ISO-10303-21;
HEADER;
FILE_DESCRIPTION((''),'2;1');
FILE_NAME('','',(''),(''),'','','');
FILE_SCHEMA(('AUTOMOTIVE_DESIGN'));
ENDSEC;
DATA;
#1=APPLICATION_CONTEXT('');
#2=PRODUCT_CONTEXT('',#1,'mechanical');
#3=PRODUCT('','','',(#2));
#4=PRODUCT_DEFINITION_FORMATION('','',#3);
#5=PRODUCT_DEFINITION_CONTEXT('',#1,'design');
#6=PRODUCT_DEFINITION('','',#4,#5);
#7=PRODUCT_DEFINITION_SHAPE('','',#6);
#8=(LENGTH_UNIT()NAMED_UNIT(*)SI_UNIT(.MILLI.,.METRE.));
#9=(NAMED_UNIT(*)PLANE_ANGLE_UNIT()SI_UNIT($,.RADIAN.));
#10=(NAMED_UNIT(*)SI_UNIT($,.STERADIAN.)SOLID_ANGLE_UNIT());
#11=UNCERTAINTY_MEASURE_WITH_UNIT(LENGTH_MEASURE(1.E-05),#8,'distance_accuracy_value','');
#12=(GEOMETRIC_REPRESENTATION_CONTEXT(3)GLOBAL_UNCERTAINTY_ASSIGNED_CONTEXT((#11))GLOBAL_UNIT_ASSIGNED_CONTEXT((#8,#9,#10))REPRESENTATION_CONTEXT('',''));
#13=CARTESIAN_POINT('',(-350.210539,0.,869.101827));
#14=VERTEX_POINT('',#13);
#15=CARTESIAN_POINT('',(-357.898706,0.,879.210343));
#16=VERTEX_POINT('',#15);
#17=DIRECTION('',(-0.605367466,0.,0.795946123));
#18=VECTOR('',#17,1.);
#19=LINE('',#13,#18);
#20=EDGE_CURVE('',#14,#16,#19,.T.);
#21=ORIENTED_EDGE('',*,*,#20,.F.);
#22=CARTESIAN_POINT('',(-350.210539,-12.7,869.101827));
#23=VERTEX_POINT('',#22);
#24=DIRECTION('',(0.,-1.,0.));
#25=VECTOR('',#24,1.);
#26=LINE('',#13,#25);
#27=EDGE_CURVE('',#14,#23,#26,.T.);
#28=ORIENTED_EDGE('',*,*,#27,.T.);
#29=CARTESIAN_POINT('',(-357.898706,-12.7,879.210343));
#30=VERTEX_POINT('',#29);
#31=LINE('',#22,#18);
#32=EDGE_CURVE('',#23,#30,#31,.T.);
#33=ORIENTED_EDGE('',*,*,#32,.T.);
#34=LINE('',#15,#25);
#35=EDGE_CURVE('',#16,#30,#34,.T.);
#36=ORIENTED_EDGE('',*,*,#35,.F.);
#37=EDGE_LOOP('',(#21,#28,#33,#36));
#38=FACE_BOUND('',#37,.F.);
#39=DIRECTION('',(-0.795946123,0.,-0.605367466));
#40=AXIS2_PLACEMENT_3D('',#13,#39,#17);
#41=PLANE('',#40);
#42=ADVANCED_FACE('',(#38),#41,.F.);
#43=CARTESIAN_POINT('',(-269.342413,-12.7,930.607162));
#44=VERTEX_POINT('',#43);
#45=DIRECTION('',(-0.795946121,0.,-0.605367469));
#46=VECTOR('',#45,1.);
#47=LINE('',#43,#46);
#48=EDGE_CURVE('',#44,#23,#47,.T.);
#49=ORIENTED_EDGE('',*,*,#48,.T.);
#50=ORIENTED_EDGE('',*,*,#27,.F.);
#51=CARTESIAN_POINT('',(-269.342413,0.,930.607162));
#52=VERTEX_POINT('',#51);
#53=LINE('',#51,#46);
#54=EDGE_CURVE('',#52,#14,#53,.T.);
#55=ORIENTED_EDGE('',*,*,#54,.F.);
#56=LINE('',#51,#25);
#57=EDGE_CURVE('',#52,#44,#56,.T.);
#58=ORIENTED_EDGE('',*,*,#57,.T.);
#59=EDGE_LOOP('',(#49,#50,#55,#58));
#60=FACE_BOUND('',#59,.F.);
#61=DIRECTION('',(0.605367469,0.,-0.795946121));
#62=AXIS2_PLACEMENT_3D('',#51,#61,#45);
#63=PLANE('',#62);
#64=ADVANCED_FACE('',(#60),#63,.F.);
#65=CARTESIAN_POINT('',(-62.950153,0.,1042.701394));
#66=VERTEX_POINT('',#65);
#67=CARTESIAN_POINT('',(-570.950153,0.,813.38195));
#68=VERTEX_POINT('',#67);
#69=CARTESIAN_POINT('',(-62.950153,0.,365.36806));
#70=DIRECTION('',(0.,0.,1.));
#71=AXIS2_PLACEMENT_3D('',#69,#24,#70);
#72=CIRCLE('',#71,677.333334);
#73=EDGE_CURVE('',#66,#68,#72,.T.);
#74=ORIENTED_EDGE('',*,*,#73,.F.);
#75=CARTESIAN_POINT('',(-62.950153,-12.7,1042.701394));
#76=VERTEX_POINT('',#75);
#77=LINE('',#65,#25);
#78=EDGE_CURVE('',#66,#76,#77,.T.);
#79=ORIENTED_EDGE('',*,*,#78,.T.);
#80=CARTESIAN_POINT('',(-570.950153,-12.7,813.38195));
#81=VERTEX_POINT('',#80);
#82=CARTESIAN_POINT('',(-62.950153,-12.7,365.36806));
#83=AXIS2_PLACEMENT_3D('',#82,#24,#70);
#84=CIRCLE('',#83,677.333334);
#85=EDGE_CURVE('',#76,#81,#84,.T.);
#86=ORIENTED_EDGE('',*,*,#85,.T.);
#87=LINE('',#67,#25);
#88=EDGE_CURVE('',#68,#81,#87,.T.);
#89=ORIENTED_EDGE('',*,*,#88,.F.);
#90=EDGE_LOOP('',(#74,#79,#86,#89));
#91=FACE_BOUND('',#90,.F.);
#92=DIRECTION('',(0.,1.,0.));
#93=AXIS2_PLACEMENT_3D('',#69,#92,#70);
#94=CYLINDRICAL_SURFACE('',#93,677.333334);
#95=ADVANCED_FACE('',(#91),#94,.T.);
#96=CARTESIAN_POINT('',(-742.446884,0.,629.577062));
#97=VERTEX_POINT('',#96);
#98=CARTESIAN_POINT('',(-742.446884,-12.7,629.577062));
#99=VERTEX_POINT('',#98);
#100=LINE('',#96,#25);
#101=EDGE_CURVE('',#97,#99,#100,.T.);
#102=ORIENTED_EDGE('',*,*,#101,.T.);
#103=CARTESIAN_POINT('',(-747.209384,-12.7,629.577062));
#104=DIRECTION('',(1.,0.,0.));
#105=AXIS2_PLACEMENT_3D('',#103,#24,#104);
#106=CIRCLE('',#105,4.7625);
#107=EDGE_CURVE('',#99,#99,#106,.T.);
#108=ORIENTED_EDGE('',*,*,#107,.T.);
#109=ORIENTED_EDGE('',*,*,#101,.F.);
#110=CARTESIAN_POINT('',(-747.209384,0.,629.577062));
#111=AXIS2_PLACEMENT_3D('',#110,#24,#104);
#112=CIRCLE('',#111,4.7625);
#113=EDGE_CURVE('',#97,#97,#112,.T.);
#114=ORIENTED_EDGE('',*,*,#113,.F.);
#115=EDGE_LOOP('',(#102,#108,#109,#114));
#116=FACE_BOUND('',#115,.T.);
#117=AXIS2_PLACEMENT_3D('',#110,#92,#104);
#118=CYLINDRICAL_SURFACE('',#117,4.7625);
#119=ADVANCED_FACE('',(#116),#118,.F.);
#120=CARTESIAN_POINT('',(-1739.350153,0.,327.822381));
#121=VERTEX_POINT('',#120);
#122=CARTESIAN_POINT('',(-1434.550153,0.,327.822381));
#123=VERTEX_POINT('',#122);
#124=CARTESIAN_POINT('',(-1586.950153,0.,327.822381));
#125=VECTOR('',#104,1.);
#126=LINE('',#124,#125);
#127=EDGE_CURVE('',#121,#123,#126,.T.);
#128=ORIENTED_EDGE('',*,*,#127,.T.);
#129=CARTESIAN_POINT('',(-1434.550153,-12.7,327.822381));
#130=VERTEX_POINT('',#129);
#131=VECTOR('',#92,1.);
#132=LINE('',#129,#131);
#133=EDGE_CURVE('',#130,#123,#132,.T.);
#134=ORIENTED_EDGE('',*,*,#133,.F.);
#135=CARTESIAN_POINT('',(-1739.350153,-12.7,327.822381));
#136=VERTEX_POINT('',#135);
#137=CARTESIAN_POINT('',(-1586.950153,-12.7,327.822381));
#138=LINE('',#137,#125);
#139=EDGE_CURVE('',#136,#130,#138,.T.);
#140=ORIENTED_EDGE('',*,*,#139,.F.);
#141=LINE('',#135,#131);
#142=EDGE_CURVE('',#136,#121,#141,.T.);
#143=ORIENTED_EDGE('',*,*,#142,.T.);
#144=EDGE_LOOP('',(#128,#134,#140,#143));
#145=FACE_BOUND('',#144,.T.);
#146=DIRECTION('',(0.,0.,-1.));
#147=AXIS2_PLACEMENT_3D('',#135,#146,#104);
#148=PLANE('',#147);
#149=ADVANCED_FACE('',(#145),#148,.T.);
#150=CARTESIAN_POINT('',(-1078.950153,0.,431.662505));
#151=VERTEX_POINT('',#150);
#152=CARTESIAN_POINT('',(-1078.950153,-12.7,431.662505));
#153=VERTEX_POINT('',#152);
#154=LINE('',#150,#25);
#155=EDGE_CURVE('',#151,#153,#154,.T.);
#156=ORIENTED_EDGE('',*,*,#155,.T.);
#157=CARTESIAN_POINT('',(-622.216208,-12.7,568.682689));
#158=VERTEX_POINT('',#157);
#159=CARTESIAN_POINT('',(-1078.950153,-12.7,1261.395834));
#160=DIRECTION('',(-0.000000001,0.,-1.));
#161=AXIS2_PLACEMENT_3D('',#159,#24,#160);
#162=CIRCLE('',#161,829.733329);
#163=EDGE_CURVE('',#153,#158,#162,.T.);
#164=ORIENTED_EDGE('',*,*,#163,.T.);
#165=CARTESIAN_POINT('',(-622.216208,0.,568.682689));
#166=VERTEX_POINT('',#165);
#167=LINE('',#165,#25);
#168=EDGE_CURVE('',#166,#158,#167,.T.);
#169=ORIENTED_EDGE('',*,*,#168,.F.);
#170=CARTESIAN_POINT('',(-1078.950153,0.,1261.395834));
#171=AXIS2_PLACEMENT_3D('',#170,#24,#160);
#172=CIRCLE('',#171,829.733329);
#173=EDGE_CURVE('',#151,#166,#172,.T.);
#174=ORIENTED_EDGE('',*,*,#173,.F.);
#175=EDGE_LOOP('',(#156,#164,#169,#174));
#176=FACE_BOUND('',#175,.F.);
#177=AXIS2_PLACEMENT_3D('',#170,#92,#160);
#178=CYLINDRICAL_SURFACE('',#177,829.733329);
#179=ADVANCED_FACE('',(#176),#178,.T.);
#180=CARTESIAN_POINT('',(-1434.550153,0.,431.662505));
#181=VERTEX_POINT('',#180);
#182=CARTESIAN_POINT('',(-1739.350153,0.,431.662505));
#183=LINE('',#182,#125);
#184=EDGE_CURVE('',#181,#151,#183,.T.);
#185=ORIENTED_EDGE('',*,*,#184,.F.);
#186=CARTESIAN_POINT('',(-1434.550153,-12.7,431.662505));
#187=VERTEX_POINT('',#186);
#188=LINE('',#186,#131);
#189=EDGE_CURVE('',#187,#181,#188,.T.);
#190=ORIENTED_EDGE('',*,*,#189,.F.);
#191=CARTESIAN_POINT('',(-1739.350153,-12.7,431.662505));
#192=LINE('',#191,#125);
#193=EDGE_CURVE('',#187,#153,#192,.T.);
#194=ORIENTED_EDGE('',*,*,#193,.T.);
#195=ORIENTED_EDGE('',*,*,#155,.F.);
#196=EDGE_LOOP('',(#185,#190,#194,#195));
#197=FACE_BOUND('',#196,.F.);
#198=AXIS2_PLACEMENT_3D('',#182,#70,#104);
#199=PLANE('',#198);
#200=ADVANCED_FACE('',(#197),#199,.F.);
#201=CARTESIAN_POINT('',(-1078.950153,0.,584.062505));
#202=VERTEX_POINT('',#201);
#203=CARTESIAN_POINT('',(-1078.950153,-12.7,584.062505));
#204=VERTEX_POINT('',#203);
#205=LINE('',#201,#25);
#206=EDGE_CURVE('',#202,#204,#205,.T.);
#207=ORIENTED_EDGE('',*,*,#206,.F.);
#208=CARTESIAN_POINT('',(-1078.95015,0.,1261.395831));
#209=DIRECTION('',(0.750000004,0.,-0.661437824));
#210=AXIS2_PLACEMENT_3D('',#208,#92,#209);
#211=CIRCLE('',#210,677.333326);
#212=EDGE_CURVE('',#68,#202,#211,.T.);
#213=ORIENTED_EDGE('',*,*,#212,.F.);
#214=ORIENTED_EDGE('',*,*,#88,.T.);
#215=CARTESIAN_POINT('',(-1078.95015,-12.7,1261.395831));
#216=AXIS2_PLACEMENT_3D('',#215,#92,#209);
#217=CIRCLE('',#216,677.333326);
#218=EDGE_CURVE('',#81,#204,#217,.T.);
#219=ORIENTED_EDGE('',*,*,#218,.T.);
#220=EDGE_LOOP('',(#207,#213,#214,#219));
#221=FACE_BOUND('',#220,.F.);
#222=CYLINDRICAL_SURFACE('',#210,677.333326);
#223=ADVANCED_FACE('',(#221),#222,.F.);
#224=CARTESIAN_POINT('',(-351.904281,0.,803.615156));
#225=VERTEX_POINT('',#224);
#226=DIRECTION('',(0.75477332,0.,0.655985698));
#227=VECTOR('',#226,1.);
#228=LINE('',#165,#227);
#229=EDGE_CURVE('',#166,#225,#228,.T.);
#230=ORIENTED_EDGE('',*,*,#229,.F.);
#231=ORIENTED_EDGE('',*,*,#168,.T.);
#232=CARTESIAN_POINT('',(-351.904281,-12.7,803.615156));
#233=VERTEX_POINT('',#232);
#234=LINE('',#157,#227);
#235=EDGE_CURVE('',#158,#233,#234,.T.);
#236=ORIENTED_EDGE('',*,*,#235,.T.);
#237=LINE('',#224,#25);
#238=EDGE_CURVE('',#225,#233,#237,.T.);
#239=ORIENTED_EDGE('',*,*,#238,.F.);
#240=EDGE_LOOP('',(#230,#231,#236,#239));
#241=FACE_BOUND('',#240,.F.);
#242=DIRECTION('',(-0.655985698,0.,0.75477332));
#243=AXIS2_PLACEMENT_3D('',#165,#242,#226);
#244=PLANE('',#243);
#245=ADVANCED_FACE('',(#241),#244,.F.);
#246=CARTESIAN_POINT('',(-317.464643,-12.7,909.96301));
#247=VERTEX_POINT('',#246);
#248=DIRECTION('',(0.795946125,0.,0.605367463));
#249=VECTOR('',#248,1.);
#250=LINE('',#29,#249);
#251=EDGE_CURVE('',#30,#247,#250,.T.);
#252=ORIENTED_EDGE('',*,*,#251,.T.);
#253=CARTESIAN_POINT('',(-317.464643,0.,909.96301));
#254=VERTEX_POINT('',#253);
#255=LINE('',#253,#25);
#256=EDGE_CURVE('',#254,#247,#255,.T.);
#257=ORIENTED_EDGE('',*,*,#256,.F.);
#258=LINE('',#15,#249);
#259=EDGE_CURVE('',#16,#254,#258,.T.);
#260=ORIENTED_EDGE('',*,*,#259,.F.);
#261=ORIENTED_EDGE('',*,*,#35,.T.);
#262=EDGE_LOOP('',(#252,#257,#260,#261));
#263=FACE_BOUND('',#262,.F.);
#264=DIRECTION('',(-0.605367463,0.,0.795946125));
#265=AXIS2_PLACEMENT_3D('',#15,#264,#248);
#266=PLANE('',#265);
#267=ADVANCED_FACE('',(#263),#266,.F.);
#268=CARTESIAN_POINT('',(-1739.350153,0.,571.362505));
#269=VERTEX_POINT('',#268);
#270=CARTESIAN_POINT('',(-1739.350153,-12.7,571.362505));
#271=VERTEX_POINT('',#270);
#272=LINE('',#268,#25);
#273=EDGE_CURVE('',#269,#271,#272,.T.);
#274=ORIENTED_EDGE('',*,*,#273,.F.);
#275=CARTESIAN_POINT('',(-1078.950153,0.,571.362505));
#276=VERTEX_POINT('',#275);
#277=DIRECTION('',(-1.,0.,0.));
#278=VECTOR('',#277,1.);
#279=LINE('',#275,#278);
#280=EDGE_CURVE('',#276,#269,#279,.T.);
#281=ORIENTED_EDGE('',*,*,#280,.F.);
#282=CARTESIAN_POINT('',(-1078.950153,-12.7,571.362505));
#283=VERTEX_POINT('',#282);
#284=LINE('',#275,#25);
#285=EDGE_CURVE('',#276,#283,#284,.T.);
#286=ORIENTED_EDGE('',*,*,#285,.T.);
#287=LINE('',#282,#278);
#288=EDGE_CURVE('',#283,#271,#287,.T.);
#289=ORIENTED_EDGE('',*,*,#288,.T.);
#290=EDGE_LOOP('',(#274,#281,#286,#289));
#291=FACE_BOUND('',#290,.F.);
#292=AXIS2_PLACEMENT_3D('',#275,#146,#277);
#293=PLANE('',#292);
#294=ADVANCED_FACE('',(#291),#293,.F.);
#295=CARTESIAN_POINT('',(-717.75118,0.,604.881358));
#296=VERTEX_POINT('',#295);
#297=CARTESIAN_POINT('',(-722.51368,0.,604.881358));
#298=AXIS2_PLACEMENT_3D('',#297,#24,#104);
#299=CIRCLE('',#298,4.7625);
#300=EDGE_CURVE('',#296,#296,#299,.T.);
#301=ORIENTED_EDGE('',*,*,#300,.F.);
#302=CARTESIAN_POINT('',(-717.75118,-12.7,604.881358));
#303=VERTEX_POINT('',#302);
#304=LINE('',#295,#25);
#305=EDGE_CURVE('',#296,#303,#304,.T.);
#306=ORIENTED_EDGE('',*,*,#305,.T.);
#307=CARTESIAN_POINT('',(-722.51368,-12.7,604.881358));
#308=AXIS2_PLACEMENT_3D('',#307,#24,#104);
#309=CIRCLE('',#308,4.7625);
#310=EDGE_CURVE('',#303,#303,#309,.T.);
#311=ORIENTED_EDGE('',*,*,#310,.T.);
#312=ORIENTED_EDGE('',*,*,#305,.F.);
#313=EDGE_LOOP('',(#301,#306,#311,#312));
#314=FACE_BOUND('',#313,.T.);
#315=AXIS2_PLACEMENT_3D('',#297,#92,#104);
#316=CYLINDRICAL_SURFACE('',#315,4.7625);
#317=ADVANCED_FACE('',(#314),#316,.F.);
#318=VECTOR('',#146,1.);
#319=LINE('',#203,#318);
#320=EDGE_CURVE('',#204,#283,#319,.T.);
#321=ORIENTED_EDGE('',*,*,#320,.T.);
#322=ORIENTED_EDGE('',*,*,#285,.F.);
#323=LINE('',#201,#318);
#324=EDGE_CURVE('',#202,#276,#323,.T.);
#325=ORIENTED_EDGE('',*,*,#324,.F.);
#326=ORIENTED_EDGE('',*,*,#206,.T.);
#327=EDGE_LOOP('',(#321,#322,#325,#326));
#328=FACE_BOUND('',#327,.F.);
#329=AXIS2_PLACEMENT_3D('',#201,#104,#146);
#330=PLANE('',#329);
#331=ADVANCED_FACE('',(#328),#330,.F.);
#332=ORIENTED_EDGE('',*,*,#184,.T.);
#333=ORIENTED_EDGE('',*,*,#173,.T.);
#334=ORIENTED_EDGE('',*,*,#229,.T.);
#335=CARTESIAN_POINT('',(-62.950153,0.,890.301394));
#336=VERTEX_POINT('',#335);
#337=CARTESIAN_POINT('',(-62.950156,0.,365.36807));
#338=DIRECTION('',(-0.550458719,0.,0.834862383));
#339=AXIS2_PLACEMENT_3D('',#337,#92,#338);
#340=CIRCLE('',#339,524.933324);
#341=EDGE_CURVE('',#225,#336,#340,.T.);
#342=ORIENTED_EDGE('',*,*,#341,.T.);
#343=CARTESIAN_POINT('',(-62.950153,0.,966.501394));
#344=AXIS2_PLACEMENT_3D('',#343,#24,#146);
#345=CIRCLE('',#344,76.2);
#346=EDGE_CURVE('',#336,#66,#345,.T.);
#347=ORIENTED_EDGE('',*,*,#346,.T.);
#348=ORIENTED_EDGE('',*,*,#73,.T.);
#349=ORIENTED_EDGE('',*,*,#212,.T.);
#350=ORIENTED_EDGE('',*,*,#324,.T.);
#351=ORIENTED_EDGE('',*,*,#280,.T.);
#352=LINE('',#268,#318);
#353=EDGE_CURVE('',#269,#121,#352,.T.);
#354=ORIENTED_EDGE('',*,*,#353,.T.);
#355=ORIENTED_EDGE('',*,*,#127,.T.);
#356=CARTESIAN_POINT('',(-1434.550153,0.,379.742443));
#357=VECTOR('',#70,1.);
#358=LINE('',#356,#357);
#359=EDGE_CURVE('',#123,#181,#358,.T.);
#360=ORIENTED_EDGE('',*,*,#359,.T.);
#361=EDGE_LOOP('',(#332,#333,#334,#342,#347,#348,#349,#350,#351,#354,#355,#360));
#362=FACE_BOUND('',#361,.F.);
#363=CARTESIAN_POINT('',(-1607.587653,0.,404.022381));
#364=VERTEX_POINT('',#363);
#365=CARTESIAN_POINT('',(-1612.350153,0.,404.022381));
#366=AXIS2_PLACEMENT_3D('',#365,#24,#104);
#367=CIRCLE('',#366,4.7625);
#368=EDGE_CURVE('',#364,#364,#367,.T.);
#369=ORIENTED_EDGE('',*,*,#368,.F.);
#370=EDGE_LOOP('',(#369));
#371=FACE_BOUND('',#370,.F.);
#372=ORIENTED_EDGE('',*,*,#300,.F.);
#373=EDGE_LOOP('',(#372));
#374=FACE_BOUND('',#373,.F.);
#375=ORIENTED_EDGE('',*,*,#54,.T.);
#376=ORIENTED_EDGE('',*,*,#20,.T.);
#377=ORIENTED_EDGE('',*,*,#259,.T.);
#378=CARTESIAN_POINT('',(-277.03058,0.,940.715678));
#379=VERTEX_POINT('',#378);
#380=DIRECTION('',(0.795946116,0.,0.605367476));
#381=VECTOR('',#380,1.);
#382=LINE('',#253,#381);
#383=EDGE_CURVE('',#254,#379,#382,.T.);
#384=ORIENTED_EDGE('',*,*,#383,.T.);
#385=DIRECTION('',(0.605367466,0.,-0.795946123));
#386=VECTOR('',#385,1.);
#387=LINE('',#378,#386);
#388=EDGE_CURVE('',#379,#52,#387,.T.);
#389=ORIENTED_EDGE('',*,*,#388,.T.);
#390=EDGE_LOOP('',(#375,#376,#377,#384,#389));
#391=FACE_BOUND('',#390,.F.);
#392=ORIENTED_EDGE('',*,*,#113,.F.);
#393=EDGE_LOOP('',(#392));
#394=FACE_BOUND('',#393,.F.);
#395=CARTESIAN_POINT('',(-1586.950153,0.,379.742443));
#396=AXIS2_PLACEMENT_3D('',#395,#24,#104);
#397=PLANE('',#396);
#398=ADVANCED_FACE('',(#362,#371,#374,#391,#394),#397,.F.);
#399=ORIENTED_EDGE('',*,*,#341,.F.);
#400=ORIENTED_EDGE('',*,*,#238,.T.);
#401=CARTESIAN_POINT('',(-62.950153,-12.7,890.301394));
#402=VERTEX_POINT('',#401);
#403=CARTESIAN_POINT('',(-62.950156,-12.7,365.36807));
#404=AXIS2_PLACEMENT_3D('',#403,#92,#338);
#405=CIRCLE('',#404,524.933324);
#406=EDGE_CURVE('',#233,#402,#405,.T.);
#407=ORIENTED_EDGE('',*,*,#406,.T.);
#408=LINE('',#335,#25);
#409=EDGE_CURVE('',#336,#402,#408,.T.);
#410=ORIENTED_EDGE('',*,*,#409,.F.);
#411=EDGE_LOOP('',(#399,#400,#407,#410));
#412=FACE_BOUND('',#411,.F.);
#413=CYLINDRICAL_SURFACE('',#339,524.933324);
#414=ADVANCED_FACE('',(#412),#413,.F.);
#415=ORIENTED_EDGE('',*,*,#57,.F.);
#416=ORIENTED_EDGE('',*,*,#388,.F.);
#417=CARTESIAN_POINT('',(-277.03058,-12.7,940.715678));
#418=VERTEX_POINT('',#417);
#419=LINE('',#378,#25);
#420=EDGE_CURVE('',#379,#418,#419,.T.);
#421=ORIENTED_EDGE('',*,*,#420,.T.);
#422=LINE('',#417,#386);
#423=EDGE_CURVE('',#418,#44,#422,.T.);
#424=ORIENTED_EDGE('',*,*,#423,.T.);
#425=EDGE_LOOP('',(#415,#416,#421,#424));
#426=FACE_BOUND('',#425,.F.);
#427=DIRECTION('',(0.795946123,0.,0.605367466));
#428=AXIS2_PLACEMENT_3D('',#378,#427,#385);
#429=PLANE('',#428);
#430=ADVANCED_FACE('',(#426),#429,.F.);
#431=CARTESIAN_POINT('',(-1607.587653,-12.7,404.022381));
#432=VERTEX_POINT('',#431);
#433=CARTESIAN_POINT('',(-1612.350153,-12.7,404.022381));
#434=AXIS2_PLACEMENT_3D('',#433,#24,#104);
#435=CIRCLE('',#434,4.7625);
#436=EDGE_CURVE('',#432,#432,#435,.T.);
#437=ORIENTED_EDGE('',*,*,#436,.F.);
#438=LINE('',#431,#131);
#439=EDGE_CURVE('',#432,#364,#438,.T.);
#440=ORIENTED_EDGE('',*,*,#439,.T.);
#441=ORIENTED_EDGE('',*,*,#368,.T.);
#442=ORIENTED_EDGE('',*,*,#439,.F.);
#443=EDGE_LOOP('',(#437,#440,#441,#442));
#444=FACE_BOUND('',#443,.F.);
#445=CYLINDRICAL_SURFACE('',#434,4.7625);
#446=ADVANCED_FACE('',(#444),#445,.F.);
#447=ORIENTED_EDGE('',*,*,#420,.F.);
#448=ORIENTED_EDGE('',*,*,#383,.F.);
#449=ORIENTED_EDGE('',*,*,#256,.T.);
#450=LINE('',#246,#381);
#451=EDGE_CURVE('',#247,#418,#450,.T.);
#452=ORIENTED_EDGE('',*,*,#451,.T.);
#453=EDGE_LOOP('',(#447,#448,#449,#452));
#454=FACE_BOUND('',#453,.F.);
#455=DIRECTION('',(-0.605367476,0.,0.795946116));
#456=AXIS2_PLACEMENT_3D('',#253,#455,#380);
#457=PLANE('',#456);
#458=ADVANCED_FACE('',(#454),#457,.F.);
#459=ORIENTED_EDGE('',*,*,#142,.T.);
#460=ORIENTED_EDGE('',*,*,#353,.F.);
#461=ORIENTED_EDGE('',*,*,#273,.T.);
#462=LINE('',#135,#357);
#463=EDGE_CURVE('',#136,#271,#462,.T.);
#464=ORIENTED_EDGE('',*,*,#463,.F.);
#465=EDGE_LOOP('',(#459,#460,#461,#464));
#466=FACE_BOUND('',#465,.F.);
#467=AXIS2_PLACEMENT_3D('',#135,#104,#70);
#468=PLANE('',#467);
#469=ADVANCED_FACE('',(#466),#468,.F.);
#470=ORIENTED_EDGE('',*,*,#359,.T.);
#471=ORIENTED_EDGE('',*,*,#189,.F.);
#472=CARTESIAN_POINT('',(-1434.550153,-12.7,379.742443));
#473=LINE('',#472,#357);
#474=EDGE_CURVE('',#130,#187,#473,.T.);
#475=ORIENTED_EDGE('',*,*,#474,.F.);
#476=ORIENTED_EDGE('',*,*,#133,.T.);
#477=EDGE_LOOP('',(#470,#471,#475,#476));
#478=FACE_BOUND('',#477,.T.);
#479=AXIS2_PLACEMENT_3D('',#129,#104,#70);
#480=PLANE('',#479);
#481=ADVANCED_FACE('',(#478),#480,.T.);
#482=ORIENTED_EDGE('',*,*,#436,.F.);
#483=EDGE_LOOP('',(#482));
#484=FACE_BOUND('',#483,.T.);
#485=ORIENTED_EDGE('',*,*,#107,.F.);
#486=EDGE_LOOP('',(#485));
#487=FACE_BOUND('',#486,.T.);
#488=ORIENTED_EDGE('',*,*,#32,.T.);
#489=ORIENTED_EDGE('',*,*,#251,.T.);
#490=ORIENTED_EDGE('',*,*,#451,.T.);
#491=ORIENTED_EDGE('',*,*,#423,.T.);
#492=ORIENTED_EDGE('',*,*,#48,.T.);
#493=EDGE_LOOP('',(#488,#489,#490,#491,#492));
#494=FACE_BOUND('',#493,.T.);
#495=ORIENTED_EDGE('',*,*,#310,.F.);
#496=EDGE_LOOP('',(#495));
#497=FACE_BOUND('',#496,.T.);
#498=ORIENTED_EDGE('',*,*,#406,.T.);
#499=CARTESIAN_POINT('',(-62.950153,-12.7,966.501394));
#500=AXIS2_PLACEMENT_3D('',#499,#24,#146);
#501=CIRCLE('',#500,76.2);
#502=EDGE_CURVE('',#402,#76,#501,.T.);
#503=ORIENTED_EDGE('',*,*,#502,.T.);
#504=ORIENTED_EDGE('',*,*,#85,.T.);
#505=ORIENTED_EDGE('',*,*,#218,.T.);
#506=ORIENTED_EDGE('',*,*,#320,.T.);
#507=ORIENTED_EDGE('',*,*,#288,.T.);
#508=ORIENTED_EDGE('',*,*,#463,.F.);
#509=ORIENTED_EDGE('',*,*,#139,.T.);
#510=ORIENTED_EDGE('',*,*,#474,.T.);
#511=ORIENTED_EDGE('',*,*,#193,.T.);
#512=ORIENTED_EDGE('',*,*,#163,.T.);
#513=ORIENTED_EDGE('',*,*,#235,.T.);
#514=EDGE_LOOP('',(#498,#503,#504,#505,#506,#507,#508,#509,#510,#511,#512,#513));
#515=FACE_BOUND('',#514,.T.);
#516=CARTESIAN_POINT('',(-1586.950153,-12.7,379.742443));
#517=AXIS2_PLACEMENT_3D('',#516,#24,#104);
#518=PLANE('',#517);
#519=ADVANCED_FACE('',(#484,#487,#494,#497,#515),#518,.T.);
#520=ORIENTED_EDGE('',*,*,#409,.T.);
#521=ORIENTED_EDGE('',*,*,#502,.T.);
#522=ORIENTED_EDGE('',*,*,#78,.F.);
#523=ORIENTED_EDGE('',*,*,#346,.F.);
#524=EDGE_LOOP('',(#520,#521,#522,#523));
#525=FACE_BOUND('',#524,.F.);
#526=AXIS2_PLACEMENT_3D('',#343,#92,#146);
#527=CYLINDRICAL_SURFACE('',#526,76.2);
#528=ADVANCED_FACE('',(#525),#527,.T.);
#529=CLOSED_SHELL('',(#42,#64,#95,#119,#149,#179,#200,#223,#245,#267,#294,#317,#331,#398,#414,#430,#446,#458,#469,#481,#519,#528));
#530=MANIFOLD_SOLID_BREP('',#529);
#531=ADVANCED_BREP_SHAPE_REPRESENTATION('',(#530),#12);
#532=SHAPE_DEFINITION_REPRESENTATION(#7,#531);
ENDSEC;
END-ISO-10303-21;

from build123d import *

# Parameters (mm, degrees)
F0_R     = 4.7625
F1_DEPTH = 12.7
F2_W     = 304.8
F2_H     = 103.840124
F2_R     = 4.7625
F3_DEPTH = 12.7


with BuildPart() as f1:
    # F0 (on Front) → F1 (new body)
    with BuildSketch(Plane.XZ):
        with BuildLine():
            ThreePointArc((-570.950153, 813.38195), (-800.269597, 644.048616), (-1078.950153, 584.062505))
            Line((-1078.950153, 584.062505), (-1078.950153, 571.362505))
            Line((-1078.950153, 571.362505), (-1739.350153, 571.362505))
            Line((-1739.350153, 571.362505), (-1739.350153, 517.387505))
            Line((-1739.350153, 517.387505), (-1739.350153, 498.337505))
            Line((-1739.350153, 498.337505), (-1739.350153, 431.662505))
            Line((-1739.350153, 431.662505), (-1078.950153, 431.662505))
            ThreePointArc((-1078.950153, 431.662505), (-840.528034, 466.655442), (-622.216208, 568.682689))
            Line((-622.216208, 568.682689), (-351.904281, 803.615156))
            ThreePointArc((-351.904281, 803.615156), (-213.788636, 868.163006), (-62.950153, 890.301394))
            ThreePointArc((-62.950153, 890.301394), (13.249847, 966.501394), (-62.950153, 1042.701394))
            ThreePointArc((-62.950153, 1042.701394), (-341.630708, 982.715283), (-570.950153, 813.38195))
        make_face()
        with Locations((-722.51368, 604.881358)):
            Circle(F0_R, mode=Mode.SUBTRACT)
        with Locations((-747.209384, 629.577062)):
            Circle(F0_R, mode=Mode.SUBTRACT)
        Polygon((-357.898706, 879.210343), (-317.464643, 909.96301), (-277.03058, 940.715678), (-269.342413, 930.607162), (-350.210539, 869.101827), align=None, mode=Mode.SUBTRACT)
    extrude(amount=F1_DEPTH)

    # F2 (on face) → F3 (join)
    with BuildSketch(Plane.XZ.offset(12.7)):
        with Locations((-1586.950153, 379.742443)):
            Rectangle(F2_W, F2_H)
        with Locations((-1612.350153, 404.022381)):
            Circle(F2_R, mode=Mode.SUBTRACT)
    extrude(amount=-F3_DEPTH)


solid = f1.part
